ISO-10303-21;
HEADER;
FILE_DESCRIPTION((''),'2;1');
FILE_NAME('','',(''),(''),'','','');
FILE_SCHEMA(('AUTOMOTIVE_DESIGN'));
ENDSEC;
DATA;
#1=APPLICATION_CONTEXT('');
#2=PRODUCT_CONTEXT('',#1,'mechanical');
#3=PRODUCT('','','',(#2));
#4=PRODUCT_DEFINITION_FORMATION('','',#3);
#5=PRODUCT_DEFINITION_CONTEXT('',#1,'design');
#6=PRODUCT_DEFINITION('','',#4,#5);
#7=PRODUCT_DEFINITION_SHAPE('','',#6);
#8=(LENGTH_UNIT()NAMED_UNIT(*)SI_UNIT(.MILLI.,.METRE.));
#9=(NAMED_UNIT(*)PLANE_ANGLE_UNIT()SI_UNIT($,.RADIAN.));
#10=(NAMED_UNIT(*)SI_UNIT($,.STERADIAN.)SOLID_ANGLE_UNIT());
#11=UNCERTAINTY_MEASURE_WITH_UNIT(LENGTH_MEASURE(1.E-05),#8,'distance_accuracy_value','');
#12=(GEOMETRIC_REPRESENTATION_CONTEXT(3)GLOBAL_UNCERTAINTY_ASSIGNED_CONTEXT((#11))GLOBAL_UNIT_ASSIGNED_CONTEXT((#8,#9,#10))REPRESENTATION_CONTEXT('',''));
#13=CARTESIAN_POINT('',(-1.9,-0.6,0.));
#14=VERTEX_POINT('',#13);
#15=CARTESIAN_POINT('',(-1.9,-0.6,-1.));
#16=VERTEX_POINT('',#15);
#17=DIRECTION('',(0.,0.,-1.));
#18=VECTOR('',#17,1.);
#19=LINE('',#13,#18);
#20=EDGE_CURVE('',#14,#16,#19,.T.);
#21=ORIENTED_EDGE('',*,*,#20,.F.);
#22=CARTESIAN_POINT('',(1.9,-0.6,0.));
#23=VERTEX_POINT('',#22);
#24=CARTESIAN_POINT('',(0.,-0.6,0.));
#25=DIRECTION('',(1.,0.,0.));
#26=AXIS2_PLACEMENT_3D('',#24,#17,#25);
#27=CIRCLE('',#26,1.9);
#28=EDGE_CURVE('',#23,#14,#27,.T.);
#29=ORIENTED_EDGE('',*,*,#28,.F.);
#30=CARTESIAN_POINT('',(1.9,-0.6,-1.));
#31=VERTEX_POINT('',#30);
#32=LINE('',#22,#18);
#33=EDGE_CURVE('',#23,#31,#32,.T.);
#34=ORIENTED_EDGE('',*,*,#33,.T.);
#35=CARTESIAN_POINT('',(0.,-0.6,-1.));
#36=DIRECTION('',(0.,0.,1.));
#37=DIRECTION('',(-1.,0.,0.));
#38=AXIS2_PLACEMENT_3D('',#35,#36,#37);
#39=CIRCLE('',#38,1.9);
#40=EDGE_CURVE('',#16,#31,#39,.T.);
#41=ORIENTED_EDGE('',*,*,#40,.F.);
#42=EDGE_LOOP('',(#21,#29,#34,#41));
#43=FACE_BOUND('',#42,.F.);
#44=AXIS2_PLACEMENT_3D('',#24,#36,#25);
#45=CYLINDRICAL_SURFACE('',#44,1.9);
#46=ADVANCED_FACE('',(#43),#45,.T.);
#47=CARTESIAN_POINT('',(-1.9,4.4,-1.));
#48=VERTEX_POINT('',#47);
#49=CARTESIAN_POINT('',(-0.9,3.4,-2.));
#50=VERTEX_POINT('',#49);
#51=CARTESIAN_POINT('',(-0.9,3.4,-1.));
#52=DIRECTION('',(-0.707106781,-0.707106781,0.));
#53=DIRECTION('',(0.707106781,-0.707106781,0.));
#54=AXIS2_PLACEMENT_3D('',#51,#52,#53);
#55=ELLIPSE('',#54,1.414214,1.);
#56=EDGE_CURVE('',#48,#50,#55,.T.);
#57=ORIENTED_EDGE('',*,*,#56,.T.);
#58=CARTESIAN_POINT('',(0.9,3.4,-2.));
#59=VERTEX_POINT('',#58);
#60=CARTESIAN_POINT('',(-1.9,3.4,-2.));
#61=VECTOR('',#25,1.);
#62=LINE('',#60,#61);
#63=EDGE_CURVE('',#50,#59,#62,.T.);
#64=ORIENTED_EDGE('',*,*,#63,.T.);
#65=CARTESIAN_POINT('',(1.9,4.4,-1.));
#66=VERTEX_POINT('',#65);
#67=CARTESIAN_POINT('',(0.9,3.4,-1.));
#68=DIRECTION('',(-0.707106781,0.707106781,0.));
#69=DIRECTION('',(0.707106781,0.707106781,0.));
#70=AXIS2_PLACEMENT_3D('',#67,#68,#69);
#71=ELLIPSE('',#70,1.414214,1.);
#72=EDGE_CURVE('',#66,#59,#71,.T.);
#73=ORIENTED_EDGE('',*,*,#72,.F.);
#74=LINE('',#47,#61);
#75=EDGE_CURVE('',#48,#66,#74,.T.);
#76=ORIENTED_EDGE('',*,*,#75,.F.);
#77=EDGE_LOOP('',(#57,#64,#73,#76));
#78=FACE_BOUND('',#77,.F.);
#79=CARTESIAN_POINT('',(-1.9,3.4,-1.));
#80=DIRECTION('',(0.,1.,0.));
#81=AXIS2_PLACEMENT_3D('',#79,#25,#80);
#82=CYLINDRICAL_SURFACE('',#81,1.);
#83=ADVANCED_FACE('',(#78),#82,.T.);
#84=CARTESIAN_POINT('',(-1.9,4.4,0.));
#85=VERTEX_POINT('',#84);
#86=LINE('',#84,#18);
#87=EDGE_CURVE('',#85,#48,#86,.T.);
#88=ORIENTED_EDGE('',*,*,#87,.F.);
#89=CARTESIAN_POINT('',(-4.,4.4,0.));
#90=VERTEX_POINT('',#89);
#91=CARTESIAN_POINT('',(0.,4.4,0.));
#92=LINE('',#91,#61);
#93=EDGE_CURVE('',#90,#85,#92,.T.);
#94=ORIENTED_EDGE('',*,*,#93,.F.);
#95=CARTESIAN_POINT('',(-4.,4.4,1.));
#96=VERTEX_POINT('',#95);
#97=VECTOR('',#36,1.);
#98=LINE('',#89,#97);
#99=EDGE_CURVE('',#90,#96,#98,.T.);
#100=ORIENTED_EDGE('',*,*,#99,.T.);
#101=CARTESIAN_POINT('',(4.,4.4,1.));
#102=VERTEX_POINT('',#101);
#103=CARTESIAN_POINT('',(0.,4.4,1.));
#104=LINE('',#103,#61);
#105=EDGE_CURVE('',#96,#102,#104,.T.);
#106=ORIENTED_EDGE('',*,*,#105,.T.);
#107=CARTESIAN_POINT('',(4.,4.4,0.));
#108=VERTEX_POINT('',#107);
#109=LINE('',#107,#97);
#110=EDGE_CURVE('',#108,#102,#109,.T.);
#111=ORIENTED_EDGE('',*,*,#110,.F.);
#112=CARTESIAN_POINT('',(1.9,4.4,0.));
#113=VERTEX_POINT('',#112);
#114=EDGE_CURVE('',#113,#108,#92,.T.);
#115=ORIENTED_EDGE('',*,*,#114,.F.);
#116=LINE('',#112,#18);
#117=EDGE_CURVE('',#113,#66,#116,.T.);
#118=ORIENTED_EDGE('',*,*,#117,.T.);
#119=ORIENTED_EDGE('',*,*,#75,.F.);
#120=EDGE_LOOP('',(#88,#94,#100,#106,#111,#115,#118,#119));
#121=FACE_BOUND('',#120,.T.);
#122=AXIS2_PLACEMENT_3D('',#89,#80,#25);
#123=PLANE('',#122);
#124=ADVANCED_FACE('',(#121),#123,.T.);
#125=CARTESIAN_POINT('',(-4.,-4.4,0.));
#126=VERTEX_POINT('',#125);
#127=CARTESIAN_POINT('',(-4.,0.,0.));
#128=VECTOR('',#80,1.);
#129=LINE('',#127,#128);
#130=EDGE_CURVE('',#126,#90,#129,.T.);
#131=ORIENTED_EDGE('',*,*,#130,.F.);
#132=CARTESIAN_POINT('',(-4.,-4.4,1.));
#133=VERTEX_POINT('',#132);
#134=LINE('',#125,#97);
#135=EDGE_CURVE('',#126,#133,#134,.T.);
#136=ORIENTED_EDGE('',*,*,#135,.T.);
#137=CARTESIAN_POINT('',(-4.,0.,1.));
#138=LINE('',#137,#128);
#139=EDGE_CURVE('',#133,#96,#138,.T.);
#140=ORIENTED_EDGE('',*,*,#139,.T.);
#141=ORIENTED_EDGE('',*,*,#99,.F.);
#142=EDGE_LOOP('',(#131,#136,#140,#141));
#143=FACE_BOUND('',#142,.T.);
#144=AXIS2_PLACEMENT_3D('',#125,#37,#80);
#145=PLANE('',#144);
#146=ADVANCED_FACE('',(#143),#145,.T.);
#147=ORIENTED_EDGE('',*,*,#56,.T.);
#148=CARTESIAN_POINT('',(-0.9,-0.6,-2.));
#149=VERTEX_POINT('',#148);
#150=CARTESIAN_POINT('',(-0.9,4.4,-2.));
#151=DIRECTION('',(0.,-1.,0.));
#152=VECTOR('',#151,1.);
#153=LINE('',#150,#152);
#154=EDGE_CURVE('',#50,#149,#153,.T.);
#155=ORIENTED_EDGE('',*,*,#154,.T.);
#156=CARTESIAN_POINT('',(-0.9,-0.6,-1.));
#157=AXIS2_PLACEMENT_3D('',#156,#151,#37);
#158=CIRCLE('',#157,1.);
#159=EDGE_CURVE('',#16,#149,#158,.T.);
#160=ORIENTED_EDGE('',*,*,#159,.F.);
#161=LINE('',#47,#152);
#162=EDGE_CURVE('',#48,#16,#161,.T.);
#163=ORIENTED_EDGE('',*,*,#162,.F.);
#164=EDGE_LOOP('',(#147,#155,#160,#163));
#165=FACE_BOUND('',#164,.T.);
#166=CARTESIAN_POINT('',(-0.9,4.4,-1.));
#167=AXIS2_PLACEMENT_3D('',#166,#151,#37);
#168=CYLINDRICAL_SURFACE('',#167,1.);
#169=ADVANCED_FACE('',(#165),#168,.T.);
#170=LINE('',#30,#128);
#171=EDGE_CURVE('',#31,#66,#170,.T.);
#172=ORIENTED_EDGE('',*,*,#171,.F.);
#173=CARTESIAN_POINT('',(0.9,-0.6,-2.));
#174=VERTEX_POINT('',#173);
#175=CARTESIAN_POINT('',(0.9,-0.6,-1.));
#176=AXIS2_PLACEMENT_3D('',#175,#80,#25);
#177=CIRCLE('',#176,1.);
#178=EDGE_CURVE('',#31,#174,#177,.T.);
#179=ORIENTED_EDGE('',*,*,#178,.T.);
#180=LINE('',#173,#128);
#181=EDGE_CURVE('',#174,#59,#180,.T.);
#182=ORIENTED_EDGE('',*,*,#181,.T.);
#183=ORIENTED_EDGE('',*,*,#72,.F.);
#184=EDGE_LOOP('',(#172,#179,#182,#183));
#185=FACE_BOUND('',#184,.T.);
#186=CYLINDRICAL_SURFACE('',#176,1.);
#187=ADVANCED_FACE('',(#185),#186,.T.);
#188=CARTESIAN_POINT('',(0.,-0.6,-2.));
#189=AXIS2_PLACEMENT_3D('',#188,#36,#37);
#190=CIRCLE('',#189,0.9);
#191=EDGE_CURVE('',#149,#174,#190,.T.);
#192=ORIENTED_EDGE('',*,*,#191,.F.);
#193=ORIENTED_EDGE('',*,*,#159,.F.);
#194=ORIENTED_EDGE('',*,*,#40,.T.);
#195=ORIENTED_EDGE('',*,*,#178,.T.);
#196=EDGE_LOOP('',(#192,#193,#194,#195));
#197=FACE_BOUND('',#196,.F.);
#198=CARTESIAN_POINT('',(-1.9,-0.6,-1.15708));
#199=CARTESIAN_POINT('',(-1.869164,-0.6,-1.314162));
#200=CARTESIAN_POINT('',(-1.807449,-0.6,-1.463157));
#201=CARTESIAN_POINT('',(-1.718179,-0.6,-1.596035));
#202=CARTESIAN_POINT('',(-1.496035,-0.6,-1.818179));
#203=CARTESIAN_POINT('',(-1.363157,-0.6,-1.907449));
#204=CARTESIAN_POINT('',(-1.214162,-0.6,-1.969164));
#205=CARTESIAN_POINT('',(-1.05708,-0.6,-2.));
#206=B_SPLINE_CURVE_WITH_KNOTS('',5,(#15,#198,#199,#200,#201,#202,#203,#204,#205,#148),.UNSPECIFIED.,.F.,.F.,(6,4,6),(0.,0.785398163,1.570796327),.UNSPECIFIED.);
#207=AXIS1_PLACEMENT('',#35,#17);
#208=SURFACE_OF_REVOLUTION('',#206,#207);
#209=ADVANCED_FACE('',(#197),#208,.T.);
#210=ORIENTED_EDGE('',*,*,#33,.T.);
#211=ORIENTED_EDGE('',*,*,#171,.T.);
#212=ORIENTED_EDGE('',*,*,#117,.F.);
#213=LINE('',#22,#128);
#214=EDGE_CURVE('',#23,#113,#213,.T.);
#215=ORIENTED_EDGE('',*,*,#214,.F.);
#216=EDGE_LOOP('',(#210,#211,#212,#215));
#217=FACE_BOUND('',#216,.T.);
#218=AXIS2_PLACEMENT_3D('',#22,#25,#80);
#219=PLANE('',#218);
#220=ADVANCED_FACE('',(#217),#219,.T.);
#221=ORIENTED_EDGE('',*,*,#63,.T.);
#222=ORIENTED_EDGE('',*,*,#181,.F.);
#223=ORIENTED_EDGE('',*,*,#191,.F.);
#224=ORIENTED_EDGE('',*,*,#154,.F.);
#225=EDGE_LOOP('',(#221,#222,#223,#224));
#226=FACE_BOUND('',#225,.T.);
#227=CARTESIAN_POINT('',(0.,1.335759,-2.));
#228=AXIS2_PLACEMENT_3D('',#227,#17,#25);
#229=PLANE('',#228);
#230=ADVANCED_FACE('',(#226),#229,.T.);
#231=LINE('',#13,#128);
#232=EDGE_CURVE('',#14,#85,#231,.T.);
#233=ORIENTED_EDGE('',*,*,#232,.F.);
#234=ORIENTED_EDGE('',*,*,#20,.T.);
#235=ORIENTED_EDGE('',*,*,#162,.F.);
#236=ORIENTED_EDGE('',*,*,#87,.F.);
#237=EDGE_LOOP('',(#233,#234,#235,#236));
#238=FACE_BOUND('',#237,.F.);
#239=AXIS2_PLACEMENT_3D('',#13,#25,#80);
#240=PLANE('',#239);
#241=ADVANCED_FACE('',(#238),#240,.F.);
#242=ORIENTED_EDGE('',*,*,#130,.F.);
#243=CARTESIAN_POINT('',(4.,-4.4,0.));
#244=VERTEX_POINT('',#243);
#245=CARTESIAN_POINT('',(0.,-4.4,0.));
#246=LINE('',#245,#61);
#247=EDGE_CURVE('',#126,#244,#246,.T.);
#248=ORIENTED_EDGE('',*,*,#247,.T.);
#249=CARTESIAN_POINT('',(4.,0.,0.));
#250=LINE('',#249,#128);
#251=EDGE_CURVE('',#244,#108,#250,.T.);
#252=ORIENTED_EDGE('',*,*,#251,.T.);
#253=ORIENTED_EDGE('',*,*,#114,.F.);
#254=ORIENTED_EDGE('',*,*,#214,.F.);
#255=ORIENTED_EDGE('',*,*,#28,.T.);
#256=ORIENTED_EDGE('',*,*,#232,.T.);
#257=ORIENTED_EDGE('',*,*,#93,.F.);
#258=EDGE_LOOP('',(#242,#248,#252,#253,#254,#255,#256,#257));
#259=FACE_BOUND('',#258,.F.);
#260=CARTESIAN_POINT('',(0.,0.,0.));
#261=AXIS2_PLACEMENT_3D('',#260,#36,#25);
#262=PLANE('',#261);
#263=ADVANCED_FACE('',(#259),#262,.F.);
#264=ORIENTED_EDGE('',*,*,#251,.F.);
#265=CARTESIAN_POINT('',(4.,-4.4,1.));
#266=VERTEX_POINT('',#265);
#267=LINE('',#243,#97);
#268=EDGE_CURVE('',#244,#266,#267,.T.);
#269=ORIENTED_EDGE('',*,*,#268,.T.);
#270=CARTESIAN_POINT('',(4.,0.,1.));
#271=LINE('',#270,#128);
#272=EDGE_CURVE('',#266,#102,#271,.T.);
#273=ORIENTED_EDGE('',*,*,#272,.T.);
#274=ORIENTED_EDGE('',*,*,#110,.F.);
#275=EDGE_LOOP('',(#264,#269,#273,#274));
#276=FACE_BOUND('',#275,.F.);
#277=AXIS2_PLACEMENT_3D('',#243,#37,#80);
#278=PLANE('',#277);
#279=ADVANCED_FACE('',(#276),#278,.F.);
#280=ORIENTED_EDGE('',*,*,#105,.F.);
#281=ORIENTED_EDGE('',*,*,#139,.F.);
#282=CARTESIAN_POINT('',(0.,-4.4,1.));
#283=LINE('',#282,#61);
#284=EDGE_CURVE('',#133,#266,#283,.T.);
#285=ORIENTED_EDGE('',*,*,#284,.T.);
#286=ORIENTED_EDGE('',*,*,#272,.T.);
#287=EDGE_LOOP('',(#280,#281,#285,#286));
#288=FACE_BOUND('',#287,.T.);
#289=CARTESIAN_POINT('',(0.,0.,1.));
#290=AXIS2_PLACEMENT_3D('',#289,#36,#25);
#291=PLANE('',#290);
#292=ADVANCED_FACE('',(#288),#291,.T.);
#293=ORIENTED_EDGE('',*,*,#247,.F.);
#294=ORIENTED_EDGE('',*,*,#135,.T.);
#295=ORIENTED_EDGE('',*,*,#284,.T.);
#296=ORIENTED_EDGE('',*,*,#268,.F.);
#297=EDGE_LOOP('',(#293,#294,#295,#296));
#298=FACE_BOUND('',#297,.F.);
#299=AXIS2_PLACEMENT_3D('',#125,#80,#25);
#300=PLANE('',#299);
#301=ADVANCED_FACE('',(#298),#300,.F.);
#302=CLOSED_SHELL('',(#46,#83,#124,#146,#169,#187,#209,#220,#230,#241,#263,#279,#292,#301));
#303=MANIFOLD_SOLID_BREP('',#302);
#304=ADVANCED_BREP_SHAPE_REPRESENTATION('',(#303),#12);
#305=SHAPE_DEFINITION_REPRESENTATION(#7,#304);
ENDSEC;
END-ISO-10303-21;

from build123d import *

# Parameters (mm, degrees)
SKETCH033_W  = 8
SKETCH033_H  = 8.8
PAD011_DEPTH = 1
PAD012_DEPTH = 2
FILLET017_R  = 1


with BuildPart() as part:
    # Sketch033 → Pad011 (new body)
    with BuildSketch(Plane.XY):
        Rectangle(SKETCH033_W, SKETCH033_H)
    extrude(amount=PAD011_DEPTH)

    # Sketch034 (on Face5 of Pad011) → Pad012 (join)
    with BuildSketch(Plane(origin=(0, 0, 0), x_dir=(1, 0, 0), z_dir=(0, 0, -1))):
        with BuildLine():
            ThreePointArc((1.9, 0.6), (0, 2.5), (-1.9, 0.6))
            Line((-1.9, 0.6), (-1.9, -4.4))
            Line((-1.9, -4.4), (1.9, -4.4))
            Line((1.9, 0.6), (1.9, -4.4))
        make_face()
    extrude(amount=PAD012_DEPTH)

    # Fillet017
    fillet017_edges = [part.edges().sort_by_distance(p)[0] for p in [
        (1.9, 1.9, -2),
        (0, -2.5, -2),
        (-1.9, 1.9, -2),
        (0, 4.4, -2),
    ]]
    fillet(fillet017_edges, radius=FILLET017_R)


solid = part.part
